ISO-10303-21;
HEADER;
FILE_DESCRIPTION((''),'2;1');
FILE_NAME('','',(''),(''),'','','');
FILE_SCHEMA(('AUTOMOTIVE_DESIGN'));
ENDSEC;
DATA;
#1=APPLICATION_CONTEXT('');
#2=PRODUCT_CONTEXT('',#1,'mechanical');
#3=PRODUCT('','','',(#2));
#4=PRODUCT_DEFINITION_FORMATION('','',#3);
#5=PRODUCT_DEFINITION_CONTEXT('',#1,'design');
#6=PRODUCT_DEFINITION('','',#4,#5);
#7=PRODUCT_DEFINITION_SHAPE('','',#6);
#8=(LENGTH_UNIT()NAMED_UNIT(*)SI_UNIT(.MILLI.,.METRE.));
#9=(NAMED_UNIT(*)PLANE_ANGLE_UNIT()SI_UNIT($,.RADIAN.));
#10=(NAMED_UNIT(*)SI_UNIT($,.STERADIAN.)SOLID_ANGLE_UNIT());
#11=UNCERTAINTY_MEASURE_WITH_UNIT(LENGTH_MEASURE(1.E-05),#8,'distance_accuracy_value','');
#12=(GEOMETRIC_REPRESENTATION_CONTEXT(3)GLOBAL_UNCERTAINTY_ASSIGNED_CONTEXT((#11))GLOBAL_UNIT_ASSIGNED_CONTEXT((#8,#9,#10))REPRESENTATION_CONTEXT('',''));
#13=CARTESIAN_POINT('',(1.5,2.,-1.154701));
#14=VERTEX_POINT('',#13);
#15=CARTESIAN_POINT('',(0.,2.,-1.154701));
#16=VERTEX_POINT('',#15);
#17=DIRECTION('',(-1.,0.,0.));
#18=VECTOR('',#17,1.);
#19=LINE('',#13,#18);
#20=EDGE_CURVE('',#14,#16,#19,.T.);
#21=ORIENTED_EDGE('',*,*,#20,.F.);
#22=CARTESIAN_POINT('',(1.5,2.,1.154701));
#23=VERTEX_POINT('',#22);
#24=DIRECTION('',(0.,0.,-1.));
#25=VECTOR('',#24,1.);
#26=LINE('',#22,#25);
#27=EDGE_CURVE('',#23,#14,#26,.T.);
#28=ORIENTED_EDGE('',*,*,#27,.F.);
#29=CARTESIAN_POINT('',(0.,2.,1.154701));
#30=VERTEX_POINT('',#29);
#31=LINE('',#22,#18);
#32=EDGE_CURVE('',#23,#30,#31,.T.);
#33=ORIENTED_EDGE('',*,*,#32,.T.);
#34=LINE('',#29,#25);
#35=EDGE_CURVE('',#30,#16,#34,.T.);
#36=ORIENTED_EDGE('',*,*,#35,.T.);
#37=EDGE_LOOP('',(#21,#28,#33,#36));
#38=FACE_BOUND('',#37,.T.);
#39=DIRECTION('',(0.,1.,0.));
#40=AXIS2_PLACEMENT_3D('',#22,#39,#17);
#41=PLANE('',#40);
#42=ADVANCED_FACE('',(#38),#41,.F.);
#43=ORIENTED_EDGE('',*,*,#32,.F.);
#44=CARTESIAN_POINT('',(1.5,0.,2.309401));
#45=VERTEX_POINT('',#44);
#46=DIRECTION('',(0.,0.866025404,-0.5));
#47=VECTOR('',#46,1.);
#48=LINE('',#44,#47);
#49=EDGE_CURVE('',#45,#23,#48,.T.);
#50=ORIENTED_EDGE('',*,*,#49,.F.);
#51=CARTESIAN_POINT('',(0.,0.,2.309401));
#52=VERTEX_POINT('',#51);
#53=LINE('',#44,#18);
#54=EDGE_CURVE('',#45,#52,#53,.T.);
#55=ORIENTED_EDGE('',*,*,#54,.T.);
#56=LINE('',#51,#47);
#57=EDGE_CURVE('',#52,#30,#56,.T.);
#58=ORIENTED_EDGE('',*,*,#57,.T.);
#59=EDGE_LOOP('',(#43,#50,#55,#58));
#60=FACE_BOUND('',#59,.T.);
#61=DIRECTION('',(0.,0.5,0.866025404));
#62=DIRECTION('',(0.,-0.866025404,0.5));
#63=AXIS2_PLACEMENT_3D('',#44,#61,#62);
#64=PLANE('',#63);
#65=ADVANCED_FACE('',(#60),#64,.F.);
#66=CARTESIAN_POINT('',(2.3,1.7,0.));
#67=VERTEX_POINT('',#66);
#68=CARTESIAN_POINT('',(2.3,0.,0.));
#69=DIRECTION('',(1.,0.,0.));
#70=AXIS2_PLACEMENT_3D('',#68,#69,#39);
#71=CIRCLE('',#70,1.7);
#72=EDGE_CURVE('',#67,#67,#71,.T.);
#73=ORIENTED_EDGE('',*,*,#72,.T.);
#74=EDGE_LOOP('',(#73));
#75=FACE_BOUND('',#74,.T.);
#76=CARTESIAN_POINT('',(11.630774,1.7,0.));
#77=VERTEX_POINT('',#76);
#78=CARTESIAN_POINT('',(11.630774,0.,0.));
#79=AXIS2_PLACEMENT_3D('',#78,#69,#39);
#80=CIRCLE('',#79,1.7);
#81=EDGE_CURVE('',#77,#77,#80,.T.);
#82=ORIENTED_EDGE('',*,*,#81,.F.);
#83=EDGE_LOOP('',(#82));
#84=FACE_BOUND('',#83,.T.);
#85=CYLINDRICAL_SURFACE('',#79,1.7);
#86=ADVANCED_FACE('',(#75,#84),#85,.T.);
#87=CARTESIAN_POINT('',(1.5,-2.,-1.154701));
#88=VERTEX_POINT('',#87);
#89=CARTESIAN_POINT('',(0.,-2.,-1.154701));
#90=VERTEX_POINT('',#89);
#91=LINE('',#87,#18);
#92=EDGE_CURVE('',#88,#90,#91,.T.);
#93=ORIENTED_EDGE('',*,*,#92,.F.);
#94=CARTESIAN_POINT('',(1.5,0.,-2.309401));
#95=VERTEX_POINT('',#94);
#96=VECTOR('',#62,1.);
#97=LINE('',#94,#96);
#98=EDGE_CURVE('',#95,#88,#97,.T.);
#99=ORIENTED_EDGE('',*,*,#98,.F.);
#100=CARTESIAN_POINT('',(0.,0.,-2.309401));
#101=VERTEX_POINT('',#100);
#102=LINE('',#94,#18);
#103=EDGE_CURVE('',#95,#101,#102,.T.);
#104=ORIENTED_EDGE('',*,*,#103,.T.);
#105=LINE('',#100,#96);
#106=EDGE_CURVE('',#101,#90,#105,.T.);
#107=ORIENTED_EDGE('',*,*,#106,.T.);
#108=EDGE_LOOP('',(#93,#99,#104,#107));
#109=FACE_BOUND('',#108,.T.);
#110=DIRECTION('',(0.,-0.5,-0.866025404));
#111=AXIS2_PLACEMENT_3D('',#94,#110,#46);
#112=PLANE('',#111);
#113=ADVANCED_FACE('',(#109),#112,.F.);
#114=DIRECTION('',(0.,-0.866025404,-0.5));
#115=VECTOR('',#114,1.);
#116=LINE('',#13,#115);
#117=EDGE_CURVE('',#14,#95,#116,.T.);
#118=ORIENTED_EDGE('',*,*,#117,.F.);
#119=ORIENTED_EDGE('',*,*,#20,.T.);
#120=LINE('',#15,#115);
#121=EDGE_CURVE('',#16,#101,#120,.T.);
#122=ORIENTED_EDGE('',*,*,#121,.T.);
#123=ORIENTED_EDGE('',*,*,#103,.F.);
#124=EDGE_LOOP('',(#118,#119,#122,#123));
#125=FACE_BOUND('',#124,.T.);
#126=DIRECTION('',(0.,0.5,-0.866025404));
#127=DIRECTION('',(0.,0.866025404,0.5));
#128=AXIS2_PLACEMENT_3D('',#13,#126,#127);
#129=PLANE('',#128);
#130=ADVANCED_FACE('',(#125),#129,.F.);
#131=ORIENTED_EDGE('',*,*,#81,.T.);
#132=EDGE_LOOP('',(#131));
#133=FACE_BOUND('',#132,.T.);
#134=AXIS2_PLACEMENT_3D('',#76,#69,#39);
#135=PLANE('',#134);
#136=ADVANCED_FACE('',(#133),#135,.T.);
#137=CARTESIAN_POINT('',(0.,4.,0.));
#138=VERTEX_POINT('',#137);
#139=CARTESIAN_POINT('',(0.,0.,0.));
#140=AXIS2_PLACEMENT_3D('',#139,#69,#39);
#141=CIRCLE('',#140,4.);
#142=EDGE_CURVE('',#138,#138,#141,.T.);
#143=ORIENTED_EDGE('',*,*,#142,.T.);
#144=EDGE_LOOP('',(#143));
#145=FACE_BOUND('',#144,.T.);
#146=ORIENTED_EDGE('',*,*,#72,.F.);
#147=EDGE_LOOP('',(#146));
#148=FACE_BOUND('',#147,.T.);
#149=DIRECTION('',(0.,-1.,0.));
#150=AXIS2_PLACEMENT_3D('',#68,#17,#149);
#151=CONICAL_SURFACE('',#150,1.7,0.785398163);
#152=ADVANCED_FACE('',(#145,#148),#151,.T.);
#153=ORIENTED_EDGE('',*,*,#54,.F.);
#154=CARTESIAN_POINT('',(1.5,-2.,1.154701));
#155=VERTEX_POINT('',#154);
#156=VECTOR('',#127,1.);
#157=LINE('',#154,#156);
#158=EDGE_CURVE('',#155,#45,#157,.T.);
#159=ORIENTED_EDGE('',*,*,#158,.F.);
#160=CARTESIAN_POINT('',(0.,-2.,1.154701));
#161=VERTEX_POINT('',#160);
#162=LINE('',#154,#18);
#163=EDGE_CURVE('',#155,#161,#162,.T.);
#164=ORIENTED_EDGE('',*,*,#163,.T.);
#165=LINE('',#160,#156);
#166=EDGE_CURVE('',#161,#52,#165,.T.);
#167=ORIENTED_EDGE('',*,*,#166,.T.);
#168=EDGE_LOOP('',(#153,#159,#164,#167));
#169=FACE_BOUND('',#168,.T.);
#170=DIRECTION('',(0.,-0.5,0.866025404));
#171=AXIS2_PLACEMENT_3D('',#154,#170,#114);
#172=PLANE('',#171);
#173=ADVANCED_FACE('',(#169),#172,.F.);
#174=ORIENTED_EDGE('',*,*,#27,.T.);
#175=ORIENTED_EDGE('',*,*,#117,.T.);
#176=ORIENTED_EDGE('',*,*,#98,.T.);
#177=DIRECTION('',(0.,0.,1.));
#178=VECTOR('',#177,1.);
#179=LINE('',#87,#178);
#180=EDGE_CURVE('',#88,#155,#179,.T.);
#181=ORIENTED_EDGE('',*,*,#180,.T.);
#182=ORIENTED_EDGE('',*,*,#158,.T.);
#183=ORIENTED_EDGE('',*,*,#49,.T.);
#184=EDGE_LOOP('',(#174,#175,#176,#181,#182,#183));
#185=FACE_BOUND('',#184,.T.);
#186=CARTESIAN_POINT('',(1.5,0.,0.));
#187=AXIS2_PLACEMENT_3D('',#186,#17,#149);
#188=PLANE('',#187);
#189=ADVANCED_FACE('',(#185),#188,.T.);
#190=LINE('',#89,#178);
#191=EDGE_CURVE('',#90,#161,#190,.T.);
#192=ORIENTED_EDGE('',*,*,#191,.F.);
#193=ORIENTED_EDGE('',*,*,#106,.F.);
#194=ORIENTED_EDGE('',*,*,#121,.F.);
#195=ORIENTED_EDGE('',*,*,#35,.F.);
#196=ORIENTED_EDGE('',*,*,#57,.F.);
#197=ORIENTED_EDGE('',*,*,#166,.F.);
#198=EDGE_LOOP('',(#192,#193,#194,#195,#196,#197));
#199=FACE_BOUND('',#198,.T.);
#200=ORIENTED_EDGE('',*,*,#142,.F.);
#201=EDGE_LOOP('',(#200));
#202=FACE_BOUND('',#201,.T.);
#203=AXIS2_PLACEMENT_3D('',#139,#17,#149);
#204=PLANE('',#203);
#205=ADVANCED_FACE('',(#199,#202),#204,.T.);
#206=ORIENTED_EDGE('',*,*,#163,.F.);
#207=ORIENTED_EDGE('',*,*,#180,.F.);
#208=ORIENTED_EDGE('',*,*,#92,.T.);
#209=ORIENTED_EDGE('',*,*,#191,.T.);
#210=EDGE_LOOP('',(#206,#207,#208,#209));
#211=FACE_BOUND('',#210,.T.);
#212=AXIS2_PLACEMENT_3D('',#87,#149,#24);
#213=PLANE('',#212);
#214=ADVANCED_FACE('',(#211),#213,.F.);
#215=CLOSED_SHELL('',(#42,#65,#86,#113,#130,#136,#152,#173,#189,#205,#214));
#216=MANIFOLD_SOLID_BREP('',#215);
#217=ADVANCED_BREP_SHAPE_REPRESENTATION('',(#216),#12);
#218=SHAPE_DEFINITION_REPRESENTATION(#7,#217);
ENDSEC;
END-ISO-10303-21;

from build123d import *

# Parameters (mm, degrees)
KES_EKSTR_ZYON1_DEPTH = 1.5


with BuildPart() as part:
    # Çizim1 → Döndür1 (revolve)
    with BuildSketch(Plane.XY):
        Polygon((0, 0), (0, 4), (2.3, 1.7), (11.630773557, 1.7), (11.630773557, 0), align=None)
    revolve(axis=Axis((11.630773557, 0, 0), (-1, 0, 0)))

    # Çizim2 → Kes-Ekstrüzyon1 (cut)
    with BuildSketch(Plane.ZY):
        Polygon((1.154700538, -2), (2.309401077, 0), (1.154700538, 2), (-1.154700538, 2), (-2.309401077, 0), (-1.154700538, -2), align=None)
    extrude(amount=-KES_EKSTR_ZYON1_DEPTH, mode=Mode.SUBTRACT)


solid = part.part
